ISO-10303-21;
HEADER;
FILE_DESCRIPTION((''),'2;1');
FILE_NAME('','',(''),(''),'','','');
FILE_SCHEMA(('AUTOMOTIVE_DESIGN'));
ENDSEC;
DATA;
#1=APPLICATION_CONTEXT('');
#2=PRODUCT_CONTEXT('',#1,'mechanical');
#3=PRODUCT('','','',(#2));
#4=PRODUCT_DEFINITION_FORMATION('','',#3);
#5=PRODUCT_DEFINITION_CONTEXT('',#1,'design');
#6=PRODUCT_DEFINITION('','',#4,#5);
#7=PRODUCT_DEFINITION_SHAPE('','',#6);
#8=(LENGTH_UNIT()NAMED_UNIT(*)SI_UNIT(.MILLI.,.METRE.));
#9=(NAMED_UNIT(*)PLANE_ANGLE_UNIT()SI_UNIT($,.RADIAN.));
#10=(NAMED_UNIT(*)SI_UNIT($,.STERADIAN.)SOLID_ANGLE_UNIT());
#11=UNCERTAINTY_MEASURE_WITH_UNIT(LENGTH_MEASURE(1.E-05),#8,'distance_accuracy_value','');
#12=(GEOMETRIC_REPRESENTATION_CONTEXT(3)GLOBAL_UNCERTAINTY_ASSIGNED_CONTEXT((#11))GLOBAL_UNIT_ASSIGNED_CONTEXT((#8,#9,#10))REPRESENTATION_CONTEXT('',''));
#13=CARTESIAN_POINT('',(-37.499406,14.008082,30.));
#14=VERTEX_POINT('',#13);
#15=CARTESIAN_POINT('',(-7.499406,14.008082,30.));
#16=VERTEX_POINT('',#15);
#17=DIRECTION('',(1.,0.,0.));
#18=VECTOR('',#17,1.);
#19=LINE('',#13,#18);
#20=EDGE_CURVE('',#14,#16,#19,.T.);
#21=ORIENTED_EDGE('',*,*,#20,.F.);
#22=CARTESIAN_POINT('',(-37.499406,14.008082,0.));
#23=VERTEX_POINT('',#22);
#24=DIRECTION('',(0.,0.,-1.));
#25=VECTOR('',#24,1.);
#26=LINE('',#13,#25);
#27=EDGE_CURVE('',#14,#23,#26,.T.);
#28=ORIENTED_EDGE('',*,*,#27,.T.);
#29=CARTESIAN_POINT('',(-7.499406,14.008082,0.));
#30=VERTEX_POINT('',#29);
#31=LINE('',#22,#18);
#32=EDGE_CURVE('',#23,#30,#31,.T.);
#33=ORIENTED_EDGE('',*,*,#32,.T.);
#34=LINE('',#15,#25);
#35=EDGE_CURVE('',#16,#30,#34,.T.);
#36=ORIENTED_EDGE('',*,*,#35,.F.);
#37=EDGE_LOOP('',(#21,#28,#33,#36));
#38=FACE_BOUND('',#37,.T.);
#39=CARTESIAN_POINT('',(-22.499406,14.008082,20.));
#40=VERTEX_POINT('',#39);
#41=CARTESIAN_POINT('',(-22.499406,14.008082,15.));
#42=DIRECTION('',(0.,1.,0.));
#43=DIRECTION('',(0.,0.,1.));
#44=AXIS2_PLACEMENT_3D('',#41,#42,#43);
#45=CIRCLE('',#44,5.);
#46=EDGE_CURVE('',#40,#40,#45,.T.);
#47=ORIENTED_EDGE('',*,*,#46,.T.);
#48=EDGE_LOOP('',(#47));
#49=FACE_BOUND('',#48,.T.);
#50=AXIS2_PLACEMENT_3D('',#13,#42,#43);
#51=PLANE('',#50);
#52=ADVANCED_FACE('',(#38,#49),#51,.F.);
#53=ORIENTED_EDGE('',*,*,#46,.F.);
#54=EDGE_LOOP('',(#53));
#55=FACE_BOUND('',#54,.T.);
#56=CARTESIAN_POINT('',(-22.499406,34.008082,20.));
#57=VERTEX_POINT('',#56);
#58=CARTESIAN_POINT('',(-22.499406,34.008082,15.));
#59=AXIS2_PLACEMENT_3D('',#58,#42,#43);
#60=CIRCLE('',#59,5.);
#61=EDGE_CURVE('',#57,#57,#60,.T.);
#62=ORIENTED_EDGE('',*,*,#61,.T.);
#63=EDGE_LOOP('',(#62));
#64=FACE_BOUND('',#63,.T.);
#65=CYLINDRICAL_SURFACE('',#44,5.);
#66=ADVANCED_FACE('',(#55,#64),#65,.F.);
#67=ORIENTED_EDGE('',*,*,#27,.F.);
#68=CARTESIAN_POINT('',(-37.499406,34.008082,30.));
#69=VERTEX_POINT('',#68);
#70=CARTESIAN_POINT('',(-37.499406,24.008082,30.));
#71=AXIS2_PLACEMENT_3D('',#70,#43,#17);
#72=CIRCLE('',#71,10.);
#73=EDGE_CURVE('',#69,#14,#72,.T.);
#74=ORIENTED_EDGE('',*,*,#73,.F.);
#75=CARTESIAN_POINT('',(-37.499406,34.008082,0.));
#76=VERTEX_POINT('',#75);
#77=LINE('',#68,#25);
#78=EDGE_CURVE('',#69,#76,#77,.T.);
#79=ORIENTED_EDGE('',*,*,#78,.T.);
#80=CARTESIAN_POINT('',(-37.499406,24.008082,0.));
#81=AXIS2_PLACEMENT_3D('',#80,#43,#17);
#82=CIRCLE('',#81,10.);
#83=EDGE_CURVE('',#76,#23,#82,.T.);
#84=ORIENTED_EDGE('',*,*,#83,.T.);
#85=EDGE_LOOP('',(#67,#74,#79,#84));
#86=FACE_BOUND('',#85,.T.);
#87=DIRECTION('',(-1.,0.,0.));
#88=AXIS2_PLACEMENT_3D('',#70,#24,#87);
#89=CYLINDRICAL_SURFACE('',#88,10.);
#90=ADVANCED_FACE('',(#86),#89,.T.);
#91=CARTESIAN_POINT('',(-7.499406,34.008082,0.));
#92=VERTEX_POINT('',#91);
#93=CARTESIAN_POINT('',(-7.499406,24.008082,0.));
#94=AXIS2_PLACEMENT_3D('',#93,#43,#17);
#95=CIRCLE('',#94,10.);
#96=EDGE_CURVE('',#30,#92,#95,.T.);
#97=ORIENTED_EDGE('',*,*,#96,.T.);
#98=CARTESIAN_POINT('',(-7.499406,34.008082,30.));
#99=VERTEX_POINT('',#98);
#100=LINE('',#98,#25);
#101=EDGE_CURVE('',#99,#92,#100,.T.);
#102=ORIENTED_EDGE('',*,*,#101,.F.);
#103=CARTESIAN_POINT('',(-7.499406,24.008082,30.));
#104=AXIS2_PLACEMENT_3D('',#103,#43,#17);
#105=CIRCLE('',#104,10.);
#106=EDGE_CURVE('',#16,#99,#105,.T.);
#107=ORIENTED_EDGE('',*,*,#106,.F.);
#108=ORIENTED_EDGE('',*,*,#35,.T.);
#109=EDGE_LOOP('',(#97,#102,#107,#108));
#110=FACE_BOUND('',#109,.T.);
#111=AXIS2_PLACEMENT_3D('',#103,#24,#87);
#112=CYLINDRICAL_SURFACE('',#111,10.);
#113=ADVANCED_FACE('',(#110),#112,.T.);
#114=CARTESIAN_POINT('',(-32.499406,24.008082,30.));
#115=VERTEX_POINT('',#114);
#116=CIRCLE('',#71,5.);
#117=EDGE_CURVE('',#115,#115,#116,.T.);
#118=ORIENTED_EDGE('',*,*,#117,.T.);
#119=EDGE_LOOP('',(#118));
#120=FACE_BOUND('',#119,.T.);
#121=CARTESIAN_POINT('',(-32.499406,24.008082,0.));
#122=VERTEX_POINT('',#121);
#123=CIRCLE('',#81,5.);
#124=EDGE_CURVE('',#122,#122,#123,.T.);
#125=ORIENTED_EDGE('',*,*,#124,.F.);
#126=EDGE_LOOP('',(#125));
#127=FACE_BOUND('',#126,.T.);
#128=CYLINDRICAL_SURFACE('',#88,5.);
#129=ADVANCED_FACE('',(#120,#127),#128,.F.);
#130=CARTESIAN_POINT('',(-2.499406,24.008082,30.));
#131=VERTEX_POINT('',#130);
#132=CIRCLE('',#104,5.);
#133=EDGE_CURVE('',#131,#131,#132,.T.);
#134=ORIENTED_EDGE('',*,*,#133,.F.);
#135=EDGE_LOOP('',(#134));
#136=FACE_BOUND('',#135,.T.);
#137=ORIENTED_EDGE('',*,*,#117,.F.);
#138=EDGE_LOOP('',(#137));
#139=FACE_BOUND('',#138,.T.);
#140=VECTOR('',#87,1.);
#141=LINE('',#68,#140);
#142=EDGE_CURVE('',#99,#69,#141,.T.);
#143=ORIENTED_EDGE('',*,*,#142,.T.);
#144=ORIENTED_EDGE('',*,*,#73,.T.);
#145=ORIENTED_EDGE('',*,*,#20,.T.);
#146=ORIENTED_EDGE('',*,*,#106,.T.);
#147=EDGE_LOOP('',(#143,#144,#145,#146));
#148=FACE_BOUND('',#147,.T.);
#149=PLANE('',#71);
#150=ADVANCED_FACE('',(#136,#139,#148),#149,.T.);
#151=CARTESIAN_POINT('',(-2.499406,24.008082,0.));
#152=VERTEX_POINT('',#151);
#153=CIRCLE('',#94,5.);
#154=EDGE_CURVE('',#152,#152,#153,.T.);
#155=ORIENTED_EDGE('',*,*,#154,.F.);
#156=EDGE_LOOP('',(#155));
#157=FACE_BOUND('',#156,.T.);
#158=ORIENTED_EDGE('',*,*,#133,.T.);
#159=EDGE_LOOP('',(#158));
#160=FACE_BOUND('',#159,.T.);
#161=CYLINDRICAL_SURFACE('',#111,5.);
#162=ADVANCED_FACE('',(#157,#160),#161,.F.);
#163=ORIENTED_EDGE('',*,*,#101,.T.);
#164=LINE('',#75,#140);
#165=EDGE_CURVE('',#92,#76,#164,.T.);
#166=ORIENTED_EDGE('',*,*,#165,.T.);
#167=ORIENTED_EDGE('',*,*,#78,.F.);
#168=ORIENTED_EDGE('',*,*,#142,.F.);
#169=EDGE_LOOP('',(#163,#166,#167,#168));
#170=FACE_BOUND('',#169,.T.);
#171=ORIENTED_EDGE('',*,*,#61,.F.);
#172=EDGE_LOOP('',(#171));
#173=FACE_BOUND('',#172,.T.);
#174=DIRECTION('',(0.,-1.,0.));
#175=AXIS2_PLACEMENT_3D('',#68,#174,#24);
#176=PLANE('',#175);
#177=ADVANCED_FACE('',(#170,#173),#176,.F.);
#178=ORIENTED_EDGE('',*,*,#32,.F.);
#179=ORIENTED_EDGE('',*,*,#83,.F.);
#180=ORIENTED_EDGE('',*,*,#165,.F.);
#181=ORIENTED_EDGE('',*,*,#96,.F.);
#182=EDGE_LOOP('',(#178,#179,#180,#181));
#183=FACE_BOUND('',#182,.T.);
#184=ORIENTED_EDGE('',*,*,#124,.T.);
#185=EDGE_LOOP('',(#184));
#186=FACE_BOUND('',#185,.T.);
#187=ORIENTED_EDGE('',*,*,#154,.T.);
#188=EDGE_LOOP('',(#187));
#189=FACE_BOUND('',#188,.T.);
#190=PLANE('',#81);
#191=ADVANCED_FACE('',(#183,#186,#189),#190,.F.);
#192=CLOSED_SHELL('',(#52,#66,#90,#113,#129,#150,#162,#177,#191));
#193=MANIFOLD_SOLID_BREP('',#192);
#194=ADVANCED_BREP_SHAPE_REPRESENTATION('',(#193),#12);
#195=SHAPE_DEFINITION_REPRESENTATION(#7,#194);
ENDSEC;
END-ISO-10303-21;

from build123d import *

# Parameters (mm, degrees)
IZIM2_R                     = 5
Y_KSEKLIK_EKSTR_ZYON1_DEPTH = 30
IZIM3_R                     = 5
KES_EKSTR_ZYON1_DEPTH       = 20


with BuildPart() as part:
    # Çizim2 → Yükseklik-Ekstrüzyon1 (new body)
    with BuildSketch(Plane.XY):
        with BuildLine():
            Line((-37.499405752, 34.008081768), (-7.499405752, 34.008081768))
            ThreePointArc((-7.499405752, 34.008081768), (2.500594248, 24.008081768), (-7.499405752, 14.008081768))
            Line((-7.499405752, 14.008081768), (-37.499405752, 14.008081768))
            ThreePointArc((-37.499405752, 14.008081768), (-47.499405752, 24.008081768), (-37.499405752, 34.008081768))
        make_face()
        with Locations((-37.499405752, 24.008081768)):
            Circle(IZIM2_R, mode=Mode.SUBTRACT)
        with Locations((-7.499405752, 24.008081768)):
            Circle(IZIM2_R, mode=Mode.SUBTRACT)
    extrude(amount=Y_KSEKLIK_EKSTR_ZYON1_DEPTH)

    # Çizim3 → Kes-Ekstrüzyon1 (cut)
    with BuildSketch(Plane(origin=(0, 34.008081768, 0), x_dir=(1, 0, 0), z_dir=(0, 1, 0))):
        with Locations(Location((-22.499405752, -15, 0), (0, 0, 270))):
            Circle(IZIM3_R)
    extrude(amount=-KES_EKSTR_ZYON1_DEPTH, mode=Mode.SUBTRACT)


solid = part.part
